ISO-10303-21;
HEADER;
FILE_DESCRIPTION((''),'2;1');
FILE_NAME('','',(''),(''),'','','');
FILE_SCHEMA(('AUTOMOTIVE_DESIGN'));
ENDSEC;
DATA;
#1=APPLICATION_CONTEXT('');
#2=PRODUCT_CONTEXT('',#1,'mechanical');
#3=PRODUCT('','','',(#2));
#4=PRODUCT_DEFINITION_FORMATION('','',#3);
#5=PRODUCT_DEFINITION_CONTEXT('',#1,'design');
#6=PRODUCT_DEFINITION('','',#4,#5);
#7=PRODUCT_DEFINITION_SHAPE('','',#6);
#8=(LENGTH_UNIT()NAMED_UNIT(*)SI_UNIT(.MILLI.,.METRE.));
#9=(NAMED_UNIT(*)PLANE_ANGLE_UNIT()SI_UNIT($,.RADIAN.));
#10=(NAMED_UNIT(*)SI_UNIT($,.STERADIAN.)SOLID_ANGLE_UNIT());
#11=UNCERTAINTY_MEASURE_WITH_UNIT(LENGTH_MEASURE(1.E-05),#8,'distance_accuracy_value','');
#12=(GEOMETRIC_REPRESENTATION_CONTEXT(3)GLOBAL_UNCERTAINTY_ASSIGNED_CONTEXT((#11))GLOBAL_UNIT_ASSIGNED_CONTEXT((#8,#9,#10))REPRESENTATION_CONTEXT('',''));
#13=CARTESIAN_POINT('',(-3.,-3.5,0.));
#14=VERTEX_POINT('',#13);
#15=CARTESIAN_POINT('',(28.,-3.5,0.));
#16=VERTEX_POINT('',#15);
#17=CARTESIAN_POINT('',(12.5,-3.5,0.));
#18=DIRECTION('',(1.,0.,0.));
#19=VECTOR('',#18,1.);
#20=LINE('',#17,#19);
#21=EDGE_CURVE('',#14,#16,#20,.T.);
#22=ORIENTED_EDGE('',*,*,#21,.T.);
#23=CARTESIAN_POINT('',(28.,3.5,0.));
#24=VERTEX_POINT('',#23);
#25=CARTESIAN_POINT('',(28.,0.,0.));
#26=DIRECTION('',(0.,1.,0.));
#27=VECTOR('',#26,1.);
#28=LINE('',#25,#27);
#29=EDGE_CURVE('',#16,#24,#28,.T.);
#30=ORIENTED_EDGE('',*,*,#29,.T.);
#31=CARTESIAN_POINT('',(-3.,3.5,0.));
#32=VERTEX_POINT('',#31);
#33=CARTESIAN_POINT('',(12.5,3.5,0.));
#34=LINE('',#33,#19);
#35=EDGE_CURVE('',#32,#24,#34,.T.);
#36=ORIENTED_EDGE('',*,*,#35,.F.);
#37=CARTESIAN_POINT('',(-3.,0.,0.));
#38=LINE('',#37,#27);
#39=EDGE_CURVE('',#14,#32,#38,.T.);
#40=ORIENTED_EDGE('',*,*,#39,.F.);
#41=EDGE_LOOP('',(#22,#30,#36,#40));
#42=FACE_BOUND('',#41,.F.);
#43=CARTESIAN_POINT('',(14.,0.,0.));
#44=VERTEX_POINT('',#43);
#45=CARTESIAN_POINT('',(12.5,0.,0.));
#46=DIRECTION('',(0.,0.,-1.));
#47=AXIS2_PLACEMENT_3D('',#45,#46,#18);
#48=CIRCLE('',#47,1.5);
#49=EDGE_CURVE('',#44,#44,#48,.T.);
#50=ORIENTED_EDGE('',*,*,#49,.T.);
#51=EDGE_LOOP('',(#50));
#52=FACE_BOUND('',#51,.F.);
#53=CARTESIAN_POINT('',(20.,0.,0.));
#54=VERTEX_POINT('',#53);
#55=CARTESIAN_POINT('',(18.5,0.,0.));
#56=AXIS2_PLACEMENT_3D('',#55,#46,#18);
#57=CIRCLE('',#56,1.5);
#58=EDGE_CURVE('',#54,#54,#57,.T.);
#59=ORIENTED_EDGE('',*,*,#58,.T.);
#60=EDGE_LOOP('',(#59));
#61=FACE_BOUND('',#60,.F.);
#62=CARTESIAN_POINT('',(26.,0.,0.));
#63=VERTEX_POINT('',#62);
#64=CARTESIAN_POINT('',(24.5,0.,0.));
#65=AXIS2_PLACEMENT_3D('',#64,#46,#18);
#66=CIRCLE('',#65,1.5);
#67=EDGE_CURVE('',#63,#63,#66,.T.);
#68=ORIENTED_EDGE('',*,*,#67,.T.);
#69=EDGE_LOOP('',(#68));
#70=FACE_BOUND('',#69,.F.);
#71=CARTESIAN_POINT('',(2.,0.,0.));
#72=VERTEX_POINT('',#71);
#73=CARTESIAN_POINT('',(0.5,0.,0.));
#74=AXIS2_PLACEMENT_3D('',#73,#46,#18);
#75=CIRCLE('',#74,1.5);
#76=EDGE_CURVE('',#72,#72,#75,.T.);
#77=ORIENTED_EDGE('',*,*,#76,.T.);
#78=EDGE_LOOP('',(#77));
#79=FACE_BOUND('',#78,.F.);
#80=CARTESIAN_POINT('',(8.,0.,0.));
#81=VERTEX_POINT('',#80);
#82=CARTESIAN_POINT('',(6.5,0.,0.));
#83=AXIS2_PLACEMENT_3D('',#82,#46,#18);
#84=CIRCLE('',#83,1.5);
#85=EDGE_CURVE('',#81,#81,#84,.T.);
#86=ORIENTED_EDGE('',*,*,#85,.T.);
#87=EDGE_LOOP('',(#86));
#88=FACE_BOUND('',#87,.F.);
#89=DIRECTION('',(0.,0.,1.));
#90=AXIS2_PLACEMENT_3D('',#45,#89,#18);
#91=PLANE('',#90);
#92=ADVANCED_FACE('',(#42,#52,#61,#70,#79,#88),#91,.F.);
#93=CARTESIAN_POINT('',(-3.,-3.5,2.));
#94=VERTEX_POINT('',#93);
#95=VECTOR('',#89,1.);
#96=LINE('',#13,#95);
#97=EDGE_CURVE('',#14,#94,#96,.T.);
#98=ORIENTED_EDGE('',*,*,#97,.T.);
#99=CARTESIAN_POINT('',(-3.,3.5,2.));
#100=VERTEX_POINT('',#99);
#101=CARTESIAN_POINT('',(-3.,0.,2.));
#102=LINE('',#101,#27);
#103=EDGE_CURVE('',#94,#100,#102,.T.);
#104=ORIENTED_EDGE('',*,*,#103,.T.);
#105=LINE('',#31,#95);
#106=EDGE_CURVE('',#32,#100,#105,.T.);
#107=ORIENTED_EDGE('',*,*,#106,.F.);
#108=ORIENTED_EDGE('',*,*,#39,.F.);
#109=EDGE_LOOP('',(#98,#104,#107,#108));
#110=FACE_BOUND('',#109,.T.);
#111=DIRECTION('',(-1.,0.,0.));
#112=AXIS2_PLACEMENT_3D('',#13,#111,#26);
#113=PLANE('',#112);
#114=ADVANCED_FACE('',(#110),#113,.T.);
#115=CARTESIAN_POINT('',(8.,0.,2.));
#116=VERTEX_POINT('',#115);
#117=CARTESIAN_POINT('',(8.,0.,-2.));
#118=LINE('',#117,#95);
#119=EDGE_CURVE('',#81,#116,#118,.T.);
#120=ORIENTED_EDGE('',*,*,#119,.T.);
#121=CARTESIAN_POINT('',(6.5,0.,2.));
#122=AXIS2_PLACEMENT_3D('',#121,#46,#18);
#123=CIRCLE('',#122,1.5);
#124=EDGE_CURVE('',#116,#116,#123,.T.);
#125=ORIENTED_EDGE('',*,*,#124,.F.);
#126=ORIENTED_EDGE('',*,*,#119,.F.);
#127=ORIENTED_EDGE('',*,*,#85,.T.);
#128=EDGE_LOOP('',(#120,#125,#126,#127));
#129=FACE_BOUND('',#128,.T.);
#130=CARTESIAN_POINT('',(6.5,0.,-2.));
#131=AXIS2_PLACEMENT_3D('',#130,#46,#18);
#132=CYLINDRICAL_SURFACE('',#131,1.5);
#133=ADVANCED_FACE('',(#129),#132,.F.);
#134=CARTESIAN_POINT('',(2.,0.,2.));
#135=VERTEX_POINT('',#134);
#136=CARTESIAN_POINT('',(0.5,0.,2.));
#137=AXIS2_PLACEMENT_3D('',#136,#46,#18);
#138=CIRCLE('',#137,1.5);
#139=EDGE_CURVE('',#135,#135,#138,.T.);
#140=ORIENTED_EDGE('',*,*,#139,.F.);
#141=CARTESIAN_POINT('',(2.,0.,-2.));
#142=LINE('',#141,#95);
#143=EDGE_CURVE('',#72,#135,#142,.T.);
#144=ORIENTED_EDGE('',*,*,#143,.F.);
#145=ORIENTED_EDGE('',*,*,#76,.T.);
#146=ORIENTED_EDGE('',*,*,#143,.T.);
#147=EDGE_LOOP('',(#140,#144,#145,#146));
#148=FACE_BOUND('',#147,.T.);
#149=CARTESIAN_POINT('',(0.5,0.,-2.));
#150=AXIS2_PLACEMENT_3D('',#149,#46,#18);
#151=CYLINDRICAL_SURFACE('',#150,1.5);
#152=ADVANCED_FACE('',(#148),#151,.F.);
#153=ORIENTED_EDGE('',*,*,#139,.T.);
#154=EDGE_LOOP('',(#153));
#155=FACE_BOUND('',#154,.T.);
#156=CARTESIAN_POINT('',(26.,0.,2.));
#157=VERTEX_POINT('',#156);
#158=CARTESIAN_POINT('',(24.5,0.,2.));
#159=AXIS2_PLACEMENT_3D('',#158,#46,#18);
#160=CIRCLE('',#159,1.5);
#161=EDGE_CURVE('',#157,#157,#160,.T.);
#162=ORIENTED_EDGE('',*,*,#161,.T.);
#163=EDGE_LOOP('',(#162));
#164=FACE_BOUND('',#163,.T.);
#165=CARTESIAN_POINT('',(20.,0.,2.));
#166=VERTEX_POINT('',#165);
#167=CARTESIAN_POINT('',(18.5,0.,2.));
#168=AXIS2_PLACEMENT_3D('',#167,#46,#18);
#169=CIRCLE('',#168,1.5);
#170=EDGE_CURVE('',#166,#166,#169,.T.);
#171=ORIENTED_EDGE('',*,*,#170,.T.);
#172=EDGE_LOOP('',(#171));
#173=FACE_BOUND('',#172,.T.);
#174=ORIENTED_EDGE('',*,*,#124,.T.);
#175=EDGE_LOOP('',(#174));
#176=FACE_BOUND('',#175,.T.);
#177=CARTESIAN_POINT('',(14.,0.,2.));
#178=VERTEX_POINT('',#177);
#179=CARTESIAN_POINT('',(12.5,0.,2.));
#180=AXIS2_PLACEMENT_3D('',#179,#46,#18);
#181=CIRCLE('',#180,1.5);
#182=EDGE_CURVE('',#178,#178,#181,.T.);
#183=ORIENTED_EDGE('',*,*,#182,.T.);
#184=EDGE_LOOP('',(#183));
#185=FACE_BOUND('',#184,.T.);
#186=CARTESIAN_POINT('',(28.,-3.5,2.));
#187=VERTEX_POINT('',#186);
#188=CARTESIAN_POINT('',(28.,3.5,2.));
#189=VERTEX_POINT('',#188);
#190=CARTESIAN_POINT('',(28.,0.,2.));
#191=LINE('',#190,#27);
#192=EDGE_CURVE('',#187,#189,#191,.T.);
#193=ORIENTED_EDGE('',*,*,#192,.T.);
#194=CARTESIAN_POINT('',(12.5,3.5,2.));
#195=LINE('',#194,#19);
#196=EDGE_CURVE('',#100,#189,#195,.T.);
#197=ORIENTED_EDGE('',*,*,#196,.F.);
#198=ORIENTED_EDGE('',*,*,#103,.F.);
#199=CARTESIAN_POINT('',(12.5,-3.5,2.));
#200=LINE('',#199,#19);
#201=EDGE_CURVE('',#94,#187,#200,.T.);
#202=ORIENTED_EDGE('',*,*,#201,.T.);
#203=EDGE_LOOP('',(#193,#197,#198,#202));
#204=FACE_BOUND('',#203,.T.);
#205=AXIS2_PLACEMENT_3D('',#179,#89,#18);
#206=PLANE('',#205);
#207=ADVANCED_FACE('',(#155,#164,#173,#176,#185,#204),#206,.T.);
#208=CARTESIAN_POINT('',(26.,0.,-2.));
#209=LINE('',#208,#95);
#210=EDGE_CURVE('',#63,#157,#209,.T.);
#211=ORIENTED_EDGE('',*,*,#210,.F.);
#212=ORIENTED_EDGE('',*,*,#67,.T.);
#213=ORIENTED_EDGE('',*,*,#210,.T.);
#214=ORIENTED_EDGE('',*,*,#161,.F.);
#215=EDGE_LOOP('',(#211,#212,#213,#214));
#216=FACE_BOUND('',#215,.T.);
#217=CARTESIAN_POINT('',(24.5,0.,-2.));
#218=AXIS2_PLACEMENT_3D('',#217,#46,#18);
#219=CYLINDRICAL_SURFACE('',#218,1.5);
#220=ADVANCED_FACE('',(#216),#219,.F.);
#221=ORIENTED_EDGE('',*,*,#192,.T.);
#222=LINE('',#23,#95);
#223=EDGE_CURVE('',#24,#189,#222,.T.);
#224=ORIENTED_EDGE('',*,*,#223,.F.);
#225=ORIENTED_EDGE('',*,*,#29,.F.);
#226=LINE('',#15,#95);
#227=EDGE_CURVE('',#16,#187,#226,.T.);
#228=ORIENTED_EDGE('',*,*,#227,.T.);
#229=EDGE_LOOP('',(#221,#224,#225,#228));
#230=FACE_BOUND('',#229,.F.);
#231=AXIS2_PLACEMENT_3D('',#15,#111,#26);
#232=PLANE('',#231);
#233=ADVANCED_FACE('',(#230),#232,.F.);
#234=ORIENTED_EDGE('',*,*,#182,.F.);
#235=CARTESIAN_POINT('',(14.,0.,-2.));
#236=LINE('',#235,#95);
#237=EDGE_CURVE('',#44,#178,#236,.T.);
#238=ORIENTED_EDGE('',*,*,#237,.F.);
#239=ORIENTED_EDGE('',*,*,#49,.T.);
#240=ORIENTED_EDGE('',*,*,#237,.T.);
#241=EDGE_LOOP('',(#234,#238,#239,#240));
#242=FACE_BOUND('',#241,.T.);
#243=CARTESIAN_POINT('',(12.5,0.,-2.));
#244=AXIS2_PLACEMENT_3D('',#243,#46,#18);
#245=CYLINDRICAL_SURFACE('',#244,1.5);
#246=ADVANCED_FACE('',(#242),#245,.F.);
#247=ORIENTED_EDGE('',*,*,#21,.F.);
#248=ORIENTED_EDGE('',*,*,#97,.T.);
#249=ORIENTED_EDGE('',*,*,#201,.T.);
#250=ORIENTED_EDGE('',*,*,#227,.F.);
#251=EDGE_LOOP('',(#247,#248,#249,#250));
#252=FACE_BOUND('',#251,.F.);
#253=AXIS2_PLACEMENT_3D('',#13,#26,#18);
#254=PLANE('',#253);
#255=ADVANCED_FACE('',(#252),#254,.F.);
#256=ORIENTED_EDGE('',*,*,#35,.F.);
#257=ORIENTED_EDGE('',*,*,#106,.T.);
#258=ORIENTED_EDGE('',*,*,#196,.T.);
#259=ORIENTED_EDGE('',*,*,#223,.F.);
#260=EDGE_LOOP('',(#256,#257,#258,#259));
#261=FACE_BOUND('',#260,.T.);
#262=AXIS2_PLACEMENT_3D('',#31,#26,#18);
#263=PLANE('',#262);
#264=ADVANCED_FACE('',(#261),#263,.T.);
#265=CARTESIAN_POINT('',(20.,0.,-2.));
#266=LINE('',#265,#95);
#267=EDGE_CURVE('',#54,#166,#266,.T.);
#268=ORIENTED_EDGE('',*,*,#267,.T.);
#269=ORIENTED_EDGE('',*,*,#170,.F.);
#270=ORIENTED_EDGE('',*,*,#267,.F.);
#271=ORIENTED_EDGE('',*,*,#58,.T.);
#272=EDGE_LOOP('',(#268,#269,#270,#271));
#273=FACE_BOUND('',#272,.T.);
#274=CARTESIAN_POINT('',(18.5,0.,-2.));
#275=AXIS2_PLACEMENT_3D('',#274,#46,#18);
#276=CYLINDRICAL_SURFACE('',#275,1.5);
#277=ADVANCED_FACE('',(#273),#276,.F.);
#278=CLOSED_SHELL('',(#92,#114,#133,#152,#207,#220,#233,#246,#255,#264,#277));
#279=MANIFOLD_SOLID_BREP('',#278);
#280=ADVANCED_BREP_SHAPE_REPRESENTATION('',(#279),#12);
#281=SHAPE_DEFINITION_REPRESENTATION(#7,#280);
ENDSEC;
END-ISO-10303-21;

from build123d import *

# Parameters (mm, degrees)
CYLINDER_R     = 1.5
CYLINDER_DEPTH = 6
ARRAY_X_COUNT  = 5
ARRAY_X_PITCH  = 6
BOX_W          = 31
BOX_H          = 7
BOX_DEPTH      = 2


with BuildPart() as array:
    # Cylinder → Cylinder (new body)
    with BuildSketch(Plane.XY.offset(-2)):
        Circle(CYLINDER_R)
    extrude(amount=CYLINDER_DEPTH)

    # Array X: Array ×5


with BuildPart() as array_1:
    add(array.part)
    with Locations(*[(i * ARRAY_X_PITCH, 0, 0) for i in range(1, ARRAY_X_COUNT)]):
        add(array.part)


with BuildPart() as array_2:
    # Array placement: moved
    add(array_1.part.moved(Location((0.5, 0, 0))))


with BuildPart() as array_cylinder:
    # Box → Box (new body)
    with BuildSketch(Plane(origin=(-3, -3.5, 0), x_dir=(1, 0, 0), z_dir=(0, 0, 1))):
        with Locations((15.5, 3.5)):
            Rectangle(BOX_W, BOX_H)
    extrude(amount=BOX_DEPTH)

    # Cut: cut Array
    add(array_2.part, mode=Mode.SUBTRACT)


solid = array_cylinder.part
